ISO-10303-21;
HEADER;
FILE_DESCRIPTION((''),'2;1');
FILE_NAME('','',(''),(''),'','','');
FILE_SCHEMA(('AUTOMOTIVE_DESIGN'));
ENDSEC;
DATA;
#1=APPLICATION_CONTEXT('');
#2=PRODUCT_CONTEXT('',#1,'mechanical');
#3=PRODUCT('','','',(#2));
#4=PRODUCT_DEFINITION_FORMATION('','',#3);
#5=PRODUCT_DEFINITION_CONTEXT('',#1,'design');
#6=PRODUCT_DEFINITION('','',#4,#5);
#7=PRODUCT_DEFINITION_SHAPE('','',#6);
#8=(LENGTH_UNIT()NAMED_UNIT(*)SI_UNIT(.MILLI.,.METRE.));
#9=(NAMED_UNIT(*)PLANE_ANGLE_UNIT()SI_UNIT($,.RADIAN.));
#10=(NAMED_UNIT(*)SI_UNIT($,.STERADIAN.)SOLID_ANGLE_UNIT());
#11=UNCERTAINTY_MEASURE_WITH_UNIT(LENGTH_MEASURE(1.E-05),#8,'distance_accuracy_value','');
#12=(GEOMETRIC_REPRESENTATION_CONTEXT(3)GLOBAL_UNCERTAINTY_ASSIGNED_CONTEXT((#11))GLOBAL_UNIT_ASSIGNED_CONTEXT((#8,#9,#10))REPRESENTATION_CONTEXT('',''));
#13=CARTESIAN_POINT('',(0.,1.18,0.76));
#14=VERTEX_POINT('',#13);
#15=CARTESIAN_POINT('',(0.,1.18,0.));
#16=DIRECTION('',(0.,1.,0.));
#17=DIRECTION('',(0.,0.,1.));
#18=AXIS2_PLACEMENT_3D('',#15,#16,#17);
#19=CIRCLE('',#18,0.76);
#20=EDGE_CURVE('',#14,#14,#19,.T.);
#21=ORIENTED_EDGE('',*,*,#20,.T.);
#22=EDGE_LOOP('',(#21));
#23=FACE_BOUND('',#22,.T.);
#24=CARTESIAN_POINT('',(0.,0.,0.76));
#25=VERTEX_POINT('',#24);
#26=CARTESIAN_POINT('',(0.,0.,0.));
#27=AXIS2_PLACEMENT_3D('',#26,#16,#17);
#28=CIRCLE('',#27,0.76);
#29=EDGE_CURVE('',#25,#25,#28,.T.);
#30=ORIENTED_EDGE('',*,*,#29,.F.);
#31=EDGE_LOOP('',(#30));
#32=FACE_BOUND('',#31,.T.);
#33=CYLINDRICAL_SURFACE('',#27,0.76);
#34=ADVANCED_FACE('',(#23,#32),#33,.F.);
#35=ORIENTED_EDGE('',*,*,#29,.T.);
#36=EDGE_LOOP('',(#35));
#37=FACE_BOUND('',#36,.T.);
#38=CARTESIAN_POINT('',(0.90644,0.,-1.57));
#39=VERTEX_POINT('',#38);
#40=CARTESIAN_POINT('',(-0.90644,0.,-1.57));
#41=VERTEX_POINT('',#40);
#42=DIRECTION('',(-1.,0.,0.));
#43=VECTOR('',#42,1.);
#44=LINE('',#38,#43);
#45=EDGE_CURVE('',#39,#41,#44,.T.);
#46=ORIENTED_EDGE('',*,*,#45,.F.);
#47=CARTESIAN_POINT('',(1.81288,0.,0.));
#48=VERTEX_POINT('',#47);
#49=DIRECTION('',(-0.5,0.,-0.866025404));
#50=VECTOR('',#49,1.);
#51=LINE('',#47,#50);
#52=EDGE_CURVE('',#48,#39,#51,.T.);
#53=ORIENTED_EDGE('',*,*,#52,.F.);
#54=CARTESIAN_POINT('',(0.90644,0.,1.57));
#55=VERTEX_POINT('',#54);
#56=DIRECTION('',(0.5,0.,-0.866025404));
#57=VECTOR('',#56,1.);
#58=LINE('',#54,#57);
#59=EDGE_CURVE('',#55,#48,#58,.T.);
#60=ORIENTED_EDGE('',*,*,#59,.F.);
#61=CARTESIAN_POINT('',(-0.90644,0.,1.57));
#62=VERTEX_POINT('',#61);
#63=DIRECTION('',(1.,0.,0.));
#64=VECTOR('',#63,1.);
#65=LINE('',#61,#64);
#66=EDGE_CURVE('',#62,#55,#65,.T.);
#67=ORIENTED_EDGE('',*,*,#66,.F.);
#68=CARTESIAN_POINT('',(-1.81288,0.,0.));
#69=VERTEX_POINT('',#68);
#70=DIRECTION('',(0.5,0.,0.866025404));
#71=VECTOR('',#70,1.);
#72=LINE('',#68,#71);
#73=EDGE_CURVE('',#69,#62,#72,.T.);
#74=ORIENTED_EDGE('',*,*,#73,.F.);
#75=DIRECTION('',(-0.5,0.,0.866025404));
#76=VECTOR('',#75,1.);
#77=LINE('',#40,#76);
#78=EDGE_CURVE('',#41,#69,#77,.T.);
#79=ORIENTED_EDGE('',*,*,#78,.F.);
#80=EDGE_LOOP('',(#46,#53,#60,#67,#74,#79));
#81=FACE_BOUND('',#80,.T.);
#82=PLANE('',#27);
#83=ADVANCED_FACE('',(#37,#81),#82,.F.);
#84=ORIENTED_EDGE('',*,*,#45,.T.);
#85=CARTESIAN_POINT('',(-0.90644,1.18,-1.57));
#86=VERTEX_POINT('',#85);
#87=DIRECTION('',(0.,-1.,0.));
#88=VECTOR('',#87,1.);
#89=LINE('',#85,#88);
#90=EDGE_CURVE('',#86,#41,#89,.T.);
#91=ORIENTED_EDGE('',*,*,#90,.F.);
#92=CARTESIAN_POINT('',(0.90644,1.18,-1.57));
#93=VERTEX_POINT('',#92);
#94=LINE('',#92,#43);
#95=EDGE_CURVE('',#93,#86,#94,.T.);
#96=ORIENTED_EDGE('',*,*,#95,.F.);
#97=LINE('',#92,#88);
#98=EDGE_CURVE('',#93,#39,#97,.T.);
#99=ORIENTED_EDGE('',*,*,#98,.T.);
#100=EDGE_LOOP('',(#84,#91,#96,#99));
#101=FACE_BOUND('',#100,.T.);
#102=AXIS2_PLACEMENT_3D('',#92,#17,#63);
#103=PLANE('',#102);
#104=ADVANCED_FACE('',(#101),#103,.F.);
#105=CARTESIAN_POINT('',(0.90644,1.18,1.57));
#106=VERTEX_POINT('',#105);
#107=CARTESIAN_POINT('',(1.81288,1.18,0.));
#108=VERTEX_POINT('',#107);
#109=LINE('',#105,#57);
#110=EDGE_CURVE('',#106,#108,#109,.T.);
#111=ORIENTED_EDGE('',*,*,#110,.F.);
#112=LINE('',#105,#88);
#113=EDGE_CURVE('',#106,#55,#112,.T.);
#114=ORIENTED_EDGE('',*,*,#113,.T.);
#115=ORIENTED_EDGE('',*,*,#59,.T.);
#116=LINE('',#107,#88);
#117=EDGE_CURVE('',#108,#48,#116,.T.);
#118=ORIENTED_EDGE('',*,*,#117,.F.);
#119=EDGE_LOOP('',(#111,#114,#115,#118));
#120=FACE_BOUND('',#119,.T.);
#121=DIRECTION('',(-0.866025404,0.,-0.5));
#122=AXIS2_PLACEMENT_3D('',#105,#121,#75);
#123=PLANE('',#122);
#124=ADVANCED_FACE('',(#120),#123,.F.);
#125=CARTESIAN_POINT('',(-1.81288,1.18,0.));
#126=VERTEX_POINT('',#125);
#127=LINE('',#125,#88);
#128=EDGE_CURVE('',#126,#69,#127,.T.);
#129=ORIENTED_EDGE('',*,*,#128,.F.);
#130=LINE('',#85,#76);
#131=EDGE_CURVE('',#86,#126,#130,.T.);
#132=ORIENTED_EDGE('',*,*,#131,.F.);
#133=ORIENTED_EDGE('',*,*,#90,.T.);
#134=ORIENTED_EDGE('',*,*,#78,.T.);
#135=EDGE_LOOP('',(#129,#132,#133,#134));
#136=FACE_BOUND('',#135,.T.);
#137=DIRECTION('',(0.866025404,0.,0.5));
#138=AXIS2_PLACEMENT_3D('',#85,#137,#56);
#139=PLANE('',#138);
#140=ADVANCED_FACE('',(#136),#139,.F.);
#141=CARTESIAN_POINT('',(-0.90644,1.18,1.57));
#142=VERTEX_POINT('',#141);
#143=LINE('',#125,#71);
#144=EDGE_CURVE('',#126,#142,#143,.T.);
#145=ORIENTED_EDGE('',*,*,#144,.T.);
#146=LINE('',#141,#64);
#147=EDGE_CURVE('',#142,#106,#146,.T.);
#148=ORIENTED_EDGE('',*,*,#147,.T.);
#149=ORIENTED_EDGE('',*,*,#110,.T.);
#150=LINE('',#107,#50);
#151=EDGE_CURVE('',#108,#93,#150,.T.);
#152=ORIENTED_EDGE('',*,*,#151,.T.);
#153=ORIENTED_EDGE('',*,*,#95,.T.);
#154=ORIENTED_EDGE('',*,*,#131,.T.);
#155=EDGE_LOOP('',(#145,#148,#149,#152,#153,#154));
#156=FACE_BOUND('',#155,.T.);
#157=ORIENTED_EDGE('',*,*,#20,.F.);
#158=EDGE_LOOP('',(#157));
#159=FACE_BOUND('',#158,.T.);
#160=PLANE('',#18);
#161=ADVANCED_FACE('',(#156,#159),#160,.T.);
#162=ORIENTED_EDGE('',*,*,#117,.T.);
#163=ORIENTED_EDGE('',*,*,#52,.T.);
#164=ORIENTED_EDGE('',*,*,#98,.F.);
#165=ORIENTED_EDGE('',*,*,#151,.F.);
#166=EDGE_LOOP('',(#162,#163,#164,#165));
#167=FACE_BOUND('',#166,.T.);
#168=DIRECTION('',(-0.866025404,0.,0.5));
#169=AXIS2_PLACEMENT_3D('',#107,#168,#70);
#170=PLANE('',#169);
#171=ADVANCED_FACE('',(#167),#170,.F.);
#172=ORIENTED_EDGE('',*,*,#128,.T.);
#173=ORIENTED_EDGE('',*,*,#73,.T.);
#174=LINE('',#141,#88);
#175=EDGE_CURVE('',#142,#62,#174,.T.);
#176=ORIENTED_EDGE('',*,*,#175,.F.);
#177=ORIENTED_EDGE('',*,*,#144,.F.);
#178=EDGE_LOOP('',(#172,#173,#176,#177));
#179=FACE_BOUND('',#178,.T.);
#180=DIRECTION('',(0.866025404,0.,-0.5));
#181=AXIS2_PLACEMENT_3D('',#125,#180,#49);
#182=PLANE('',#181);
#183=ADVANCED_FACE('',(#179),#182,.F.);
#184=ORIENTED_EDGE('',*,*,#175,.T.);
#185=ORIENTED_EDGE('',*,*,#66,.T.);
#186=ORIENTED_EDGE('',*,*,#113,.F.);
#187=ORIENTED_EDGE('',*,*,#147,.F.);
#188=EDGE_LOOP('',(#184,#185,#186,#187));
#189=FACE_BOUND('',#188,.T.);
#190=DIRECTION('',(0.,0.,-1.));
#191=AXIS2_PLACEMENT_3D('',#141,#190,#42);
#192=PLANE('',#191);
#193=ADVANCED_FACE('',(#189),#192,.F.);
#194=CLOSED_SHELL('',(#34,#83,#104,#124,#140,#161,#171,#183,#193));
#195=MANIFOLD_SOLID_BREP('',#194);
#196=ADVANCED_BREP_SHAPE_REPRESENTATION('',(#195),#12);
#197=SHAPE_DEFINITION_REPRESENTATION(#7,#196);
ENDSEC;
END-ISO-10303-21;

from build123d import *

# Parameters (mm, degrees)
BOSS_EXTRUDE1_DEPTH = 1.18
SKETCH2_R           = 0.76
CUT_EXTRUDE1_DEPTH  = 3.672795041


with BuildPart() as part:
    # Sketch1 → Boss-Extrude1 (new body)
    with BuildSketch(Plane(origin=(0, 0, 0), x_dir=(1, 0, 0), z_dir=(0, 1, 0))):
        Polygon((1.812879845, 0), (0.906439923, 1.57), (-0.906439923, 1.57), (-1.812879845, 0), (-0.906439923, -1.57), (0.906439923, -1.57), align=None)
    extrude(amount=BOSS_EXTRUDE1_DEPTH)

    # Sketch2 → Cut-Extrude1 (cut, through all)
    with BuildSketch(Plane(origin=(0, 1.18, 0), x_dir=(1, 0, 0), z_dir=(0, 1, 0))):
        with Locations(Location((0, 0, 0), (0, 0, 270))):
            Circle(SKETCH2_R)
    extrude(amount=-CUT_EXTRUDE1_DEPTH, mode=Mode.SUBTRACT)


solid = part.part
